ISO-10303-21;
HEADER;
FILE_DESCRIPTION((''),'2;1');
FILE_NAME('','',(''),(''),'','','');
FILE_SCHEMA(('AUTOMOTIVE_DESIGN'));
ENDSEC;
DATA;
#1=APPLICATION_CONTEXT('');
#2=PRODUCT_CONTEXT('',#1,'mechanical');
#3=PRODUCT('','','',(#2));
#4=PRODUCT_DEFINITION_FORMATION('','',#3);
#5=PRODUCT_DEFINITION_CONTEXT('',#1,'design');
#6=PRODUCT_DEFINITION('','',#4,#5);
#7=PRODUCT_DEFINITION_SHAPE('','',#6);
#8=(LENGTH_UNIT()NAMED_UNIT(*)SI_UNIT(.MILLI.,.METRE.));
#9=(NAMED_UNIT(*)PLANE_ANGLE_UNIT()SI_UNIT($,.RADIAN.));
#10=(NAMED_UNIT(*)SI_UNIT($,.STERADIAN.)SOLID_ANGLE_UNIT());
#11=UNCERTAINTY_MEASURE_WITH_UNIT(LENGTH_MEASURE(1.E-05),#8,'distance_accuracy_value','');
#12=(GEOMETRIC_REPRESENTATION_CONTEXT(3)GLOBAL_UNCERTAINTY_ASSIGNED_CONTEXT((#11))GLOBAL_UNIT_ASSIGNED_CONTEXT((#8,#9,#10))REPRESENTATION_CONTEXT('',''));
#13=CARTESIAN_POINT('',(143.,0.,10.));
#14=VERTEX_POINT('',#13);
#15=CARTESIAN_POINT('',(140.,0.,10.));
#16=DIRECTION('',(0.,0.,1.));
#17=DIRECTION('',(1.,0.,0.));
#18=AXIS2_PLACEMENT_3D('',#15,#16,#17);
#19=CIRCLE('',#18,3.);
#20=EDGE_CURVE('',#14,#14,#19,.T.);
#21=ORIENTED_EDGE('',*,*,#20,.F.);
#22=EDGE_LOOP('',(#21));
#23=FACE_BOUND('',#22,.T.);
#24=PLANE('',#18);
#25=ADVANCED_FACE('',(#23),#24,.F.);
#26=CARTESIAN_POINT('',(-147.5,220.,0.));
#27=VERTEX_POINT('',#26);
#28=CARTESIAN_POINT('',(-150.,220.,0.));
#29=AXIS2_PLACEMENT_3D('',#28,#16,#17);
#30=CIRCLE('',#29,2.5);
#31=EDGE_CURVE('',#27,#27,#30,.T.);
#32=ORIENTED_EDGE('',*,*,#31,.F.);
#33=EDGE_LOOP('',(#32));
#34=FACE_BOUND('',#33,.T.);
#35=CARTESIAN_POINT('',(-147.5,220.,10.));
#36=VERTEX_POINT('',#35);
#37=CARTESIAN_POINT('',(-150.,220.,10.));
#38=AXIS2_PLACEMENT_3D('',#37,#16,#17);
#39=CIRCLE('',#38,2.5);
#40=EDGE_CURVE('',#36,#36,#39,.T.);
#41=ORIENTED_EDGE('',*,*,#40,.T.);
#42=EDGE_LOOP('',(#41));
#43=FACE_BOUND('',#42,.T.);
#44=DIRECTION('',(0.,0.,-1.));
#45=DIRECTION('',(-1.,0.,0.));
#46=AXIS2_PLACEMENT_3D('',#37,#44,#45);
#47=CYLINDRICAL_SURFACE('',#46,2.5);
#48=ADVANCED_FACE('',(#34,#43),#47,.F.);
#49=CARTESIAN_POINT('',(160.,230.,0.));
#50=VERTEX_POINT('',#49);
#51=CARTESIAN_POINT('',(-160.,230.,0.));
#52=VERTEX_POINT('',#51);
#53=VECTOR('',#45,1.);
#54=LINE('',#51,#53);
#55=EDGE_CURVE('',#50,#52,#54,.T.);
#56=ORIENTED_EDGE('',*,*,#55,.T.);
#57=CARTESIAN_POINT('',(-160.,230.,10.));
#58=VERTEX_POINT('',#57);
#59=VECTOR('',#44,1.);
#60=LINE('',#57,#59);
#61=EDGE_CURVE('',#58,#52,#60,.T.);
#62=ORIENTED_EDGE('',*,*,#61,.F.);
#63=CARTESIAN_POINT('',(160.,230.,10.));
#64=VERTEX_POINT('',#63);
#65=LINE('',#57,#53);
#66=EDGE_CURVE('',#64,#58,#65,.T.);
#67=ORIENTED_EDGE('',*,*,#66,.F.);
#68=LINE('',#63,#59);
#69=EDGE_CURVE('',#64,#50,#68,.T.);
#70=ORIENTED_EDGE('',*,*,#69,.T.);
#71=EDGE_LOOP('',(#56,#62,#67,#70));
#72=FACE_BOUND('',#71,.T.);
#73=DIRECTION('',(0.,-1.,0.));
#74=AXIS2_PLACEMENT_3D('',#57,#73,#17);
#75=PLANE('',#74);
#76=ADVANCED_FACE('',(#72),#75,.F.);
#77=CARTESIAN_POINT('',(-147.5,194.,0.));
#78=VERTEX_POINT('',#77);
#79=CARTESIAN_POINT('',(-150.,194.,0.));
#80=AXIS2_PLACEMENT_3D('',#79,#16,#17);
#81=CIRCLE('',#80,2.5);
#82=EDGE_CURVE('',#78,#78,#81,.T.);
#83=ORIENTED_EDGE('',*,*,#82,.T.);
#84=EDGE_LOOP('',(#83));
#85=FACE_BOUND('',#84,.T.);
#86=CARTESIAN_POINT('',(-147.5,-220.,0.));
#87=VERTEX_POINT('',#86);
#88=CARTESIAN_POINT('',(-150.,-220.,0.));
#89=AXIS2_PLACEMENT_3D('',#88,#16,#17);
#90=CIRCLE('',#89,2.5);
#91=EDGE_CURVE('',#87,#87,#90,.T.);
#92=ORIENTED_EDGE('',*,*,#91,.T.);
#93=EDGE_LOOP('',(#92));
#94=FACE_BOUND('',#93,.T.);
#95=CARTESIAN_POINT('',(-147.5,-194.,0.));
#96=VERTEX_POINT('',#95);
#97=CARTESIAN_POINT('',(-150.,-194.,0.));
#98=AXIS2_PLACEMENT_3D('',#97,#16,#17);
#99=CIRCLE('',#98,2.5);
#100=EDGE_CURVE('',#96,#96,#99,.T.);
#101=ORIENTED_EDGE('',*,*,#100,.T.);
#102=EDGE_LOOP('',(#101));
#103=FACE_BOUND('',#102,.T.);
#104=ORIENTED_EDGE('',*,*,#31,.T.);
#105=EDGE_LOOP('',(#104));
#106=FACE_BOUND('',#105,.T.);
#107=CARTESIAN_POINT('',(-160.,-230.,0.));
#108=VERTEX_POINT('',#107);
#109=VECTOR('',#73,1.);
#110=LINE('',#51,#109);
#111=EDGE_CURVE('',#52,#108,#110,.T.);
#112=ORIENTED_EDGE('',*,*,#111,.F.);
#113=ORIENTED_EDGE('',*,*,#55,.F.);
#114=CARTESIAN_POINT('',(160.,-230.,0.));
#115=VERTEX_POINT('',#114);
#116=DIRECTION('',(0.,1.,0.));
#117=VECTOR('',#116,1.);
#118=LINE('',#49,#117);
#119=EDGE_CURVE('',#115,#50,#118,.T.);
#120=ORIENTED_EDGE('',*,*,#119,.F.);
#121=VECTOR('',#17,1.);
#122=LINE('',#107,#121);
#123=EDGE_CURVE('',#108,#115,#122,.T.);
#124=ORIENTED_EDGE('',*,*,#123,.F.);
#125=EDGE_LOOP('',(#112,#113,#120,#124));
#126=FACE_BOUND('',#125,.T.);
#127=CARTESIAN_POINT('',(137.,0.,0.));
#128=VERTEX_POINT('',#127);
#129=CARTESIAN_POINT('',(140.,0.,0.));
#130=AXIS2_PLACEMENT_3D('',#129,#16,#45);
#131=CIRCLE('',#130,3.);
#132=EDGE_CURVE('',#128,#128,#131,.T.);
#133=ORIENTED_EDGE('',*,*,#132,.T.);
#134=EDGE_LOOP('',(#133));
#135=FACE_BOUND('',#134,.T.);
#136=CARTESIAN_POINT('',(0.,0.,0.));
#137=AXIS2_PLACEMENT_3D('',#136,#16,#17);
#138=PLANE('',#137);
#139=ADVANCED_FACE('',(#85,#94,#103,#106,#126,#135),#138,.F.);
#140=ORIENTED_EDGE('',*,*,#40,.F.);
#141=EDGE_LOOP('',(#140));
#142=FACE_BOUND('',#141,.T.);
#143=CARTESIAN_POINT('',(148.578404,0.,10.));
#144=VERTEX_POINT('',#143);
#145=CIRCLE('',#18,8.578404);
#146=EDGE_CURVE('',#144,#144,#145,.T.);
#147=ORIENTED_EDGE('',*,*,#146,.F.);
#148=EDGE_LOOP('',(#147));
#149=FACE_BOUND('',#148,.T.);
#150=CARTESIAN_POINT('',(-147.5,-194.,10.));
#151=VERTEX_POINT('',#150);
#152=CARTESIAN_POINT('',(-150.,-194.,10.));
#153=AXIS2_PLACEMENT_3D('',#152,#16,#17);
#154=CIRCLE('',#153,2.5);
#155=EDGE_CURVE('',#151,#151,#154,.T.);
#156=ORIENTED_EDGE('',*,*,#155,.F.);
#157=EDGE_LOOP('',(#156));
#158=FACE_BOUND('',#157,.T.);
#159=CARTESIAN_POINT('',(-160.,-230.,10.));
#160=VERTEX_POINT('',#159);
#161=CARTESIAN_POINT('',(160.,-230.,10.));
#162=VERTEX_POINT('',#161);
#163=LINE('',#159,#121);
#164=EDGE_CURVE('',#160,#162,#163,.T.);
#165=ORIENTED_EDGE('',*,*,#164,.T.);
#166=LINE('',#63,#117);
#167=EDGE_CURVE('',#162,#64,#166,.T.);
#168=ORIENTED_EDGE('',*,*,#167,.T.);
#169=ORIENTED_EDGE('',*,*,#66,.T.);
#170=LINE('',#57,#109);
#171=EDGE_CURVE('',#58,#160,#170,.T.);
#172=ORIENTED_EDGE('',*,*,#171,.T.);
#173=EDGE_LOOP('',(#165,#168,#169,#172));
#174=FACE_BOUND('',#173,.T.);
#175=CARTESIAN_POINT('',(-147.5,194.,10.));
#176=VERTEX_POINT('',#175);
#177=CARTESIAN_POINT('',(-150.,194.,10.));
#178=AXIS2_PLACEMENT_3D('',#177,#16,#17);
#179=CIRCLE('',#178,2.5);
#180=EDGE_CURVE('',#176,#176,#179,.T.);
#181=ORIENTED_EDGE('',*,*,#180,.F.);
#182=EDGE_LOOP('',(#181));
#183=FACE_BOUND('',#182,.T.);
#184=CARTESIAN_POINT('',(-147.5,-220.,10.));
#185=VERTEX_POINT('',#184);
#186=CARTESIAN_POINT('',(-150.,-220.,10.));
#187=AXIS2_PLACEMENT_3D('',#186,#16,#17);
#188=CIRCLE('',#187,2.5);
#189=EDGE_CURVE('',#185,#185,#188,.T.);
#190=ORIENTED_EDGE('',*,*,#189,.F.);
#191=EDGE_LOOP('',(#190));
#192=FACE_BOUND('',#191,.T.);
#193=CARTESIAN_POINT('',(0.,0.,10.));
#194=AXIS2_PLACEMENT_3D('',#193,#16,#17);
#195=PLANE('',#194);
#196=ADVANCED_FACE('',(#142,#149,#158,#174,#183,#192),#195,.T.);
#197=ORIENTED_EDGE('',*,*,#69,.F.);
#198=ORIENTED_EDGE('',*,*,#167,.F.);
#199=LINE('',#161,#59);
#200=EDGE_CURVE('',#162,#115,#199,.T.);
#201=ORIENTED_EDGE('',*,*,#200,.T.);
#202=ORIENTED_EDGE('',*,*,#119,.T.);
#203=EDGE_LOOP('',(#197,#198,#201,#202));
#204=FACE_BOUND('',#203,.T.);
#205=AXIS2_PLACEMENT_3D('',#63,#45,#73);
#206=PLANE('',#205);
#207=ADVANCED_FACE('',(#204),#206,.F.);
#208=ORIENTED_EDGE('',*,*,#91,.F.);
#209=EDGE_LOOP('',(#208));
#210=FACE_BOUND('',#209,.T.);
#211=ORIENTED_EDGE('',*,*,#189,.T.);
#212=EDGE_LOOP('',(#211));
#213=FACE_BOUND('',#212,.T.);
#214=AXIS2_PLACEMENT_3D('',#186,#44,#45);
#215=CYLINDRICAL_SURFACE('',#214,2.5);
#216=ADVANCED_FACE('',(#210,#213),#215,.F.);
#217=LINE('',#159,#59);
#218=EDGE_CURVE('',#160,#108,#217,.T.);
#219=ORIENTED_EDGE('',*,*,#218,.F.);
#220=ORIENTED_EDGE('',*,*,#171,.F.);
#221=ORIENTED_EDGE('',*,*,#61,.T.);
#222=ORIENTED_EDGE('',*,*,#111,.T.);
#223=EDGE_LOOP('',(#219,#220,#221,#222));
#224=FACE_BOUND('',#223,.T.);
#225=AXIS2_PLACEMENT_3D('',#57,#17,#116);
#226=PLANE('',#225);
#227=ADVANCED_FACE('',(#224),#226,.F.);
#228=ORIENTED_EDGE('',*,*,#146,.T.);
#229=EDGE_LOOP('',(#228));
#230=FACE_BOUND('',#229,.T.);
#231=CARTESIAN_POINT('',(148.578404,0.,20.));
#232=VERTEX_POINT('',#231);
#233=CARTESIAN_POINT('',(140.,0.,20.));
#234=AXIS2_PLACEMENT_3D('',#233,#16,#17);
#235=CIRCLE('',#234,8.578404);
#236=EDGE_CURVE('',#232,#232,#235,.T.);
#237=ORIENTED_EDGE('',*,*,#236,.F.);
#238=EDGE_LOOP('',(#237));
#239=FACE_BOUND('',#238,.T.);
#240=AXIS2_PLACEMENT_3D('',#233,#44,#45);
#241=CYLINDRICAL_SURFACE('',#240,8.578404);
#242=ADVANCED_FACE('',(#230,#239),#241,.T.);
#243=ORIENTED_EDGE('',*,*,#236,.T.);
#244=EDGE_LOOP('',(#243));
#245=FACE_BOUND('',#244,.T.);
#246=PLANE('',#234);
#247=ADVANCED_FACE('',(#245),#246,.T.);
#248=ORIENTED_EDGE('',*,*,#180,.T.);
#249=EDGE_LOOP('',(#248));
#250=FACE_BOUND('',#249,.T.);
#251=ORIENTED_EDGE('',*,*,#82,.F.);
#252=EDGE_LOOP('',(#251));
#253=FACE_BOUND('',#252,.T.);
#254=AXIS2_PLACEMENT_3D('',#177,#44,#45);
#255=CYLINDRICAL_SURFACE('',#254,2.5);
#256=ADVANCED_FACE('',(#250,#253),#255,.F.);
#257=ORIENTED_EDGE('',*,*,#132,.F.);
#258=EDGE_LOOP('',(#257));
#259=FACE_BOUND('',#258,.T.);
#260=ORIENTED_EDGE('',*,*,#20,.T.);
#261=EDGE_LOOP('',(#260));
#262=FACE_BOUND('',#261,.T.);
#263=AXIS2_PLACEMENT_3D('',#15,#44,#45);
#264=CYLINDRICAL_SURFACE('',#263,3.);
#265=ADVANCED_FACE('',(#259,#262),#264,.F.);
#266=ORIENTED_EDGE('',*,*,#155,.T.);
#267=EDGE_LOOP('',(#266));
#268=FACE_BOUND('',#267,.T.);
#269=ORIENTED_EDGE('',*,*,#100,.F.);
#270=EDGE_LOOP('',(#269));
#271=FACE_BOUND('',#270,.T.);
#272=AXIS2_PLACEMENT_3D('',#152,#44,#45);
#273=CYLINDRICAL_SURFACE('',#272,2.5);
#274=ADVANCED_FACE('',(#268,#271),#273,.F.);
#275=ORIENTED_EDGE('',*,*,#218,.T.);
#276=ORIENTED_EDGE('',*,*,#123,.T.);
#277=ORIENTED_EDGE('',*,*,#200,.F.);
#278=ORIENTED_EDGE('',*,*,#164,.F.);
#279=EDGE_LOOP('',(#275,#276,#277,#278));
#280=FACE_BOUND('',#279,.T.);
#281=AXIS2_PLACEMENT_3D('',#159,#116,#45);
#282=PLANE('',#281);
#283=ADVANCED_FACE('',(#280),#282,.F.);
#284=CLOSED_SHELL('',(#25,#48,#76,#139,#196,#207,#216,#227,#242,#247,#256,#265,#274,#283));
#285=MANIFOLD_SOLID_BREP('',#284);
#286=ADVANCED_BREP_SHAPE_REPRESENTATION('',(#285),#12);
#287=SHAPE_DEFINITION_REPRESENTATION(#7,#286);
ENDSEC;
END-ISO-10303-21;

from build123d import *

# Parameters (mm, degrees)
SKETCH1_W           = 320
SKETCH1_H           = 460
SKETCH1_R           = 2.5
SKETCH1_R_2         = 3
BOSS_EXTRUDE1_DEPTH = 10
SKETCH2_R           = 8.578403593
BOSS_EXTRUDE2_DEPTH = 10


with BuildPart() as part:
    # Sketch1 → Boss-Extrude1 (new body)
    with BuildSketch(Plane.XY):
        Rectangle(SKETCH1_W, SKETCH1_H)
        with Locations((-150, -220)):
            Circle(SKETCH1_R, mode=Mode.SUBTRACT)
        with Locations((-150, 220)):
            Circle(SKETCH1_R, mode=Mode.SUBTRACT)
        with Locations((140, 0)):
            Circle(SKETCH1_R_2, mode=Mode.SUBTRACT)
        with Locations((-150, -194)):
            Circle(SKETCH1_R, mode=Mode.SUBTRACT)
        with Locations((-150, 194)):
            Circle(SKETCH1_R, mode=Mode.SUBTRACT)
    extrude(amount=BOSS_EXTRUDE1_DEPTH)

    # Sketch2 → Boss-Extrude2 (add)
    with BuildSketch(Plane.XY.offset(10)):
        with Locations((140, 0)):
            Circle(SKETCH2_R)
    extrude(amount=BOSS_EXTRUDE2_DEPTH)


solid = part.part
